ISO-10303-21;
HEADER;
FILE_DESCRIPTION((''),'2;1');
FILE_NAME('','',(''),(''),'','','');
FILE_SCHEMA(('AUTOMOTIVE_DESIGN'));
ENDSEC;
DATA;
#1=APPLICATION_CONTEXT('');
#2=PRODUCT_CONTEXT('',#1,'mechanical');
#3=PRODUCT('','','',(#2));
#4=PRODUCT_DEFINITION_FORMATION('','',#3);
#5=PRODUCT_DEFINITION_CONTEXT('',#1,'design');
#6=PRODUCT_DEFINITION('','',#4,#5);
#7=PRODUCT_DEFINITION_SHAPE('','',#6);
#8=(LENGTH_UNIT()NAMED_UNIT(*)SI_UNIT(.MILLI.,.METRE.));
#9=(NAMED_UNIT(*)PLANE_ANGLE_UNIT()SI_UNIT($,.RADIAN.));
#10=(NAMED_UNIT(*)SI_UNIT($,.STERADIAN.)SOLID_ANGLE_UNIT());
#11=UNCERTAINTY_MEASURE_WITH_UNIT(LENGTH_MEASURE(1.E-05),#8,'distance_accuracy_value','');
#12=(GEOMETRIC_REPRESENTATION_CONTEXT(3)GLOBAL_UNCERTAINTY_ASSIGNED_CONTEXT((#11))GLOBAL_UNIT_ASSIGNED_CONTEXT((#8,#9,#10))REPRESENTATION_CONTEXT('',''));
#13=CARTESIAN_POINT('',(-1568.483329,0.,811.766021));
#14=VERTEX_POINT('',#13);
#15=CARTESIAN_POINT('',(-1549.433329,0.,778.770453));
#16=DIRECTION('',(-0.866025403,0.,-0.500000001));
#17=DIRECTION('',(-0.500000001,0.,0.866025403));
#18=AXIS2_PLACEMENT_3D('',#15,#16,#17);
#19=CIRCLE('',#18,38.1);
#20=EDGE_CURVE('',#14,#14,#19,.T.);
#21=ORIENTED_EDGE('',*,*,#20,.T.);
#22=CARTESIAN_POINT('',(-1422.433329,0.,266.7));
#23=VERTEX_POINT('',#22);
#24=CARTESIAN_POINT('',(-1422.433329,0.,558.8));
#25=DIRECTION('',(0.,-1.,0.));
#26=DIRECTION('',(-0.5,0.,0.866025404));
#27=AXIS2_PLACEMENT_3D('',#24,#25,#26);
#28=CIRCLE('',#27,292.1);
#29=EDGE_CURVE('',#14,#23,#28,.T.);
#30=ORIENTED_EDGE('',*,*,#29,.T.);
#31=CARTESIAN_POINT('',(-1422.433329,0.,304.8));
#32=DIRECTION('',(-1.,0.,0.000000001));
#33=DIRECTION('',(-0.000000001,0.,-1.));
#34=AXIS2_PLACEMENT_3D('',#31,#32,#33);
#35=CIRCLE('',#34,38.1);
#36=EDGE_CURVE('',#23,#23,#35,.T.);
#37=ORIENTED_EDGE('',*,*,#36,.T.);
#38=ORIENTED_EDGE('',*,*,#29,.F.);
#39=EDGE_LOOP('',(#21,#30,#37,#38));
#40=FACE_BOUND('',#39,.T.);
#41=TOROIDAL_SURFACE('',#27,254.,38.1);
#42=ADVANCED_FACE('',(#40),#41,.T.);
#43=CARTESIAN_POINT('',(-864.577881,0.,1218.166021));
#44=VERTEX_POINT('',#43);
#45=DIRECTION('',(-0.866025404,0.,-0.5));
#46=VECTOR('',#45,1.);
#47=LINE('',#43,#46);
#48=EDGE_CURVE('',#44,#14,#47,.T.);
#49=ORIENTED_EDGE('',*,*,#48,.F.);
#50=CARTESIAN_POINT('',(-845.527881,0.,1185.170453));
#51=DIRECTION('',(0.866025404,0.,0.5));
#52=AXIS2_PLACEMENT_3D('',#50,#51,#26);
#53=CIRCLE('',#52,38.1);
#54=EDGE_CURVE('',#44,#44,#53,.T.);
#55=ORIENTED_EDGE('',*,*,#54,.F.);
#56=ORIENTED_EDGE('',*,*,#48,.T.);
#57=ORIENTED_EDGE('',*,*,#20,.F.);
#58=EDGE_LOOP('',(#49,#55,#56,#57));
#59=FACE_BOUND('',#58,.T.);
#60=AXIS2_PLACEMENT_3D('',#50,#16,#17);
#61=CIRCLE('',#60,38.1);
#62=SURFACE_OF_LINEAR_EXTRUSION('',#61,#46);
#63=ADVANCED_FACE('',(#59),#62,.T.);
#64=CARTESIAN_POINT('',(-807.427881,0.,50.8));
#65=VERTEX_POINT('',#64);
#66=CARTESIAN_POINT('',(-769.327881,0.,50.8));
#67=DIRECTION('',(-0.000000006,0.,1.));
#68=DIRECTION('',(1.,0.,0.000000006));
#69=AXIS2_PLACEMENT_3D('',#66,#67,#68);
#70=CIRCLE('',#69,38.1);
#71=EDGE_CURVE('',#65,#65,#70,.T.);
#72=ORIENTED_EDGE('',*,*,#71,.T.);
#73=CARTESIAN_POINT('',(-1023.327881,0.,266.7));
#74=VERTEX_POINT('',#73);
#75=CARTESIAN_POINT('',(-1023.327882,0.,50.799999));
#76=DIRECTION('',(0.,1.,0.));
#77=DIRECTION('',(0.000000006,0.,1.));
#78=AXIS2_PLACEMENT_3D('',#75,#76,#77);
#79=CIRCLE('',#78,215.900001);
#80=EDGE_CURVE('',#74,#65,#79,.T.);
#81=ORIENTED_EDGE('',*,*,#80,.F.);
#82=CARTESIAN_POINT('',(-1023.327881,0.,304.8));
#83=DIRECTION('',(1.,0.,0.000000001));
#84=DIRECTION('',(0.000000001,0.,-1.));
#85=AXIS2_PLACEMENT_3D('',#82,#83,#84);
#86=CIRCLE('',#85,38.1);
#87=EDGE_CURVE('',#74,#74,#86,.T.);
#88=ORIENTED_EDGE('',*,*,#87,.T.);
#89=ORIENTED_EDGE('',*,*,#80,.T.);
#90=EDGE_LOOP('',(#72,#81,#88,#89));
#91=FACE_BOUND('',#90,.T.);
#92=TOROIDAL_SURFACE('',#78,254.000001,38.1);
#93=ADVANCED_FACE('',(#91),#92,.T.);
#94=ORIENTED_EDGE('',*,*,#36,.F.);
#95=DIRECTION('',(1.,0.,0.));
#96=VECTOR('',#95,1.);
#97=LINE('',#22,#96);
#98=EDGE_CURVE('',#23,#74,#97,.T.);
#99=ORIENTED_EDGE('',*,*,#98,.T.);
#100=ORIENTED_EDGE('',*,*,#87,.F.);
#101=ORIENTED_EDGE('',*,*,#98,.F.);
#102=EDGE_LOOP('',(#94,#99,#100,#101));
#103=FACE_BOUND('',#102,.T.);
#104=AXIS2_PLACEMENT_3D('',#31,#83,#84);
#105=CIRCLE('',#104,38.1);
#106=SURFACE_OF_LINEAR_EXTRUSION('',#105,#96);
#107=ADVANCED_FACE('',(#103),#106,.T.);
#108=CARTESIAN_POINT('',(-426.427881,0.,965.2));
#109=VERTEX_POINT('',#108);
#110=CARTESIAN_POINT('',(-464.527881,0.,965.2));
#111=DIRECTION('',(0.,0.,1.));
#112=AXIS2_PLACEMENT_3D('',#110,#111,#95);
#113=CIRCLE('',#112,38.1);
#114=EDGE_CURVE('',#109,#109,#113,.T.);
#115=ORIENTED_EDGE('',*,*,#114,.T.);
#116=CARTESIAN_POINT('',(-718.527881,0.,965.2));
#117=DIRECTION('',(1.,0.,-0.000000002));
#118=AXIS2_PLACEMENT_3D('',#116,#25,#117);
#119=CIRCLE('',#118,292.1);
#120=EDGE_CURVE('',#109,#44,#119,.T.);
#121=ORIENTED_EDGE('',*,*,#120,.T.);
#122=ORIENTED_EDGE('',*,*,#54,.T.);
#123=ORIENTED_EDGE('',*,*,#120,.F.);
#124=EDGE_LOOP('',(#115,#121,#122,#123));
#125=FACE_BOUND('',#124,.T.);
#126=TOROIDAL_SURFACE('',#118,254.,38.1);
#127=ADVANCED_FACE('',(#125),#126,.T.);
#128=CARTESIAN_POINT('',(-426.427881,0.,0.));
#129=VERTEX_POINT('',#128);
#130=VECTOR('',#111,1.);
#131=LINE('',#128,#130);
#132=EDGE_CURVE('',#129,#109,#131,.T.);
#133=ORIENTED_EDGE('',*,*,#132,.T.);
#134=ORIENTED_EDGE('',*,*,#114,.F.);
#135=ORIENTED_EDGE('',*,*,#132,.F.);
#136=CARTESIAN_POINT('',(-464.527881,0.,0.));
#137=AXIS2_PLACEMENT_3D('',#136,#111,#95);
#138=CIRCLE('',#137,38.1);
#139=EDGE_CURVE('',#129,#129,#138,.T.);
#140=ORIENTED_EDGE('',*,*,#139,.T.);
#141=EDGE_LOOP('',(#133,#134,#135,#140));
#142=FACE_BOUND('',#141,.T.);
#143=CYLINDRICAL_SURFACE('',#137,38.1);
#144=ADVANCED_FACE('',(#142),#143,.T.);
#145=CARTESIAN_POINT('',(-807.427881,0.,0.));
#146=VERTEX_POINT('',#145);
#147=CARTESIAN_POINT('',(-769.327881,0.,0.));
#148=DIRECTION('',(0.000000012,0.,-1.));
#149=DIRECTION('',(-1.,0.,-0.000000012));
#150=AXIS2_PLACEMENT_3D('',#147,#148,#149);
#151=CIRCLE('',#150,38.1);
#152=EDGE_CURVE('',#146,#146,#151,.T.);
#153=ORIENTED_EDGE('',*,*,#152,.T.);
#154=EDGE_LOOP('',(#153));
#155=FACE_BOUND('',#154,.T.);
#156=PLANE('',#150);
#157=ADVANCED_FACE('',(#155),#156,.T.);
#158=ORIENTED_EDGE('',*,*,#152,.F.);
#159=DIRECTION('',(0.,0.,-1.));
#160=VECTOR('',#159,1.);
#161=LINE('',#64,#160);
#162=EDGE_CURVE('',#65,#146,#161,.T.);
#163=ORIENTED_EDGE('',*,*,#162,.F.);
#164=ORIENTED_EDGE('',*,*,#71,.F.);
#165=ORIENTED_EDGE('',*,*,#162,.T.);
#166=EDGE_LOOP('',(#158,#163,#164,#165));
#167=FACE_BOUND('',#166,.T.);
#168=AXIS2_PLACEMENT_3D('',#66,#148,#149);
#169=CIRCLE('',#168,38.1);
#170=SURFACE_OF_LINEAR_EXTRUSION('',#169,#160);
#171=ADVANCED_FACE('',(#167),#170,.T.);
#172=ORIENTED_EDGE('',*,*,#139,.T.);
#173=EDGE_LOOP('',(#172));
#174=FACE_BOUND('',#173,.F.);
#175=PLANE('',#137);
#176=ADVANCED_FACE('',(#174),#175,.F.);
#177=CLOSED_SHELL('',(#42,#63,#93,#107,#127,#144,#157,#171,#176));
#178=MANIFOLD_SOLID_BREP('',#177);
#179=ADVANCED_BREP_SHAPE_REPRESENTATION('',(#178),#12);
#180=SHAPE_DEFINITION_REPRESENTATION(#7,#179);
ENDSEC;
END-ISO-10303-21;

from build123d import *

# Parameters (mm, degrees)
F2_R = 38.1


with BuildPart() as f3:
    # F3: sweep along a path in F0
    with BuildLine(Plane.XZ) as f3_path:
        Line((-464.527881, 0), (-464.527881, 965.2))
        ThreePointArc((-464.527881, 965.2), (-591.527881, 1185.170453), (-845.527881, 1185.170453))
        Line((-845.527881, 1185.170453), (-1549.433329, 778.770453))
        ThreePointArc((-1549.433329, 778.770453), (-1667.778489, 493.059963), (-1422.433329, 304.8))
        Line((-1422.433329, 304.8), (-1023.327881, 304.8))
        ThreePointArc((-1023.327881, 304.8), (-843.722759, 230.405122), (-769.327881, 50.8))
        Line((-769.327881, 50.8), (-769.327881, 0))
    # F2 (on face) → F3 (sweep)
    with BuildSketch(Plane.XY):
        with Locations((-464.527881, 0)):
            Circle(F2_R)
    sweep(path=f3_path.line)


solid = f3.part
